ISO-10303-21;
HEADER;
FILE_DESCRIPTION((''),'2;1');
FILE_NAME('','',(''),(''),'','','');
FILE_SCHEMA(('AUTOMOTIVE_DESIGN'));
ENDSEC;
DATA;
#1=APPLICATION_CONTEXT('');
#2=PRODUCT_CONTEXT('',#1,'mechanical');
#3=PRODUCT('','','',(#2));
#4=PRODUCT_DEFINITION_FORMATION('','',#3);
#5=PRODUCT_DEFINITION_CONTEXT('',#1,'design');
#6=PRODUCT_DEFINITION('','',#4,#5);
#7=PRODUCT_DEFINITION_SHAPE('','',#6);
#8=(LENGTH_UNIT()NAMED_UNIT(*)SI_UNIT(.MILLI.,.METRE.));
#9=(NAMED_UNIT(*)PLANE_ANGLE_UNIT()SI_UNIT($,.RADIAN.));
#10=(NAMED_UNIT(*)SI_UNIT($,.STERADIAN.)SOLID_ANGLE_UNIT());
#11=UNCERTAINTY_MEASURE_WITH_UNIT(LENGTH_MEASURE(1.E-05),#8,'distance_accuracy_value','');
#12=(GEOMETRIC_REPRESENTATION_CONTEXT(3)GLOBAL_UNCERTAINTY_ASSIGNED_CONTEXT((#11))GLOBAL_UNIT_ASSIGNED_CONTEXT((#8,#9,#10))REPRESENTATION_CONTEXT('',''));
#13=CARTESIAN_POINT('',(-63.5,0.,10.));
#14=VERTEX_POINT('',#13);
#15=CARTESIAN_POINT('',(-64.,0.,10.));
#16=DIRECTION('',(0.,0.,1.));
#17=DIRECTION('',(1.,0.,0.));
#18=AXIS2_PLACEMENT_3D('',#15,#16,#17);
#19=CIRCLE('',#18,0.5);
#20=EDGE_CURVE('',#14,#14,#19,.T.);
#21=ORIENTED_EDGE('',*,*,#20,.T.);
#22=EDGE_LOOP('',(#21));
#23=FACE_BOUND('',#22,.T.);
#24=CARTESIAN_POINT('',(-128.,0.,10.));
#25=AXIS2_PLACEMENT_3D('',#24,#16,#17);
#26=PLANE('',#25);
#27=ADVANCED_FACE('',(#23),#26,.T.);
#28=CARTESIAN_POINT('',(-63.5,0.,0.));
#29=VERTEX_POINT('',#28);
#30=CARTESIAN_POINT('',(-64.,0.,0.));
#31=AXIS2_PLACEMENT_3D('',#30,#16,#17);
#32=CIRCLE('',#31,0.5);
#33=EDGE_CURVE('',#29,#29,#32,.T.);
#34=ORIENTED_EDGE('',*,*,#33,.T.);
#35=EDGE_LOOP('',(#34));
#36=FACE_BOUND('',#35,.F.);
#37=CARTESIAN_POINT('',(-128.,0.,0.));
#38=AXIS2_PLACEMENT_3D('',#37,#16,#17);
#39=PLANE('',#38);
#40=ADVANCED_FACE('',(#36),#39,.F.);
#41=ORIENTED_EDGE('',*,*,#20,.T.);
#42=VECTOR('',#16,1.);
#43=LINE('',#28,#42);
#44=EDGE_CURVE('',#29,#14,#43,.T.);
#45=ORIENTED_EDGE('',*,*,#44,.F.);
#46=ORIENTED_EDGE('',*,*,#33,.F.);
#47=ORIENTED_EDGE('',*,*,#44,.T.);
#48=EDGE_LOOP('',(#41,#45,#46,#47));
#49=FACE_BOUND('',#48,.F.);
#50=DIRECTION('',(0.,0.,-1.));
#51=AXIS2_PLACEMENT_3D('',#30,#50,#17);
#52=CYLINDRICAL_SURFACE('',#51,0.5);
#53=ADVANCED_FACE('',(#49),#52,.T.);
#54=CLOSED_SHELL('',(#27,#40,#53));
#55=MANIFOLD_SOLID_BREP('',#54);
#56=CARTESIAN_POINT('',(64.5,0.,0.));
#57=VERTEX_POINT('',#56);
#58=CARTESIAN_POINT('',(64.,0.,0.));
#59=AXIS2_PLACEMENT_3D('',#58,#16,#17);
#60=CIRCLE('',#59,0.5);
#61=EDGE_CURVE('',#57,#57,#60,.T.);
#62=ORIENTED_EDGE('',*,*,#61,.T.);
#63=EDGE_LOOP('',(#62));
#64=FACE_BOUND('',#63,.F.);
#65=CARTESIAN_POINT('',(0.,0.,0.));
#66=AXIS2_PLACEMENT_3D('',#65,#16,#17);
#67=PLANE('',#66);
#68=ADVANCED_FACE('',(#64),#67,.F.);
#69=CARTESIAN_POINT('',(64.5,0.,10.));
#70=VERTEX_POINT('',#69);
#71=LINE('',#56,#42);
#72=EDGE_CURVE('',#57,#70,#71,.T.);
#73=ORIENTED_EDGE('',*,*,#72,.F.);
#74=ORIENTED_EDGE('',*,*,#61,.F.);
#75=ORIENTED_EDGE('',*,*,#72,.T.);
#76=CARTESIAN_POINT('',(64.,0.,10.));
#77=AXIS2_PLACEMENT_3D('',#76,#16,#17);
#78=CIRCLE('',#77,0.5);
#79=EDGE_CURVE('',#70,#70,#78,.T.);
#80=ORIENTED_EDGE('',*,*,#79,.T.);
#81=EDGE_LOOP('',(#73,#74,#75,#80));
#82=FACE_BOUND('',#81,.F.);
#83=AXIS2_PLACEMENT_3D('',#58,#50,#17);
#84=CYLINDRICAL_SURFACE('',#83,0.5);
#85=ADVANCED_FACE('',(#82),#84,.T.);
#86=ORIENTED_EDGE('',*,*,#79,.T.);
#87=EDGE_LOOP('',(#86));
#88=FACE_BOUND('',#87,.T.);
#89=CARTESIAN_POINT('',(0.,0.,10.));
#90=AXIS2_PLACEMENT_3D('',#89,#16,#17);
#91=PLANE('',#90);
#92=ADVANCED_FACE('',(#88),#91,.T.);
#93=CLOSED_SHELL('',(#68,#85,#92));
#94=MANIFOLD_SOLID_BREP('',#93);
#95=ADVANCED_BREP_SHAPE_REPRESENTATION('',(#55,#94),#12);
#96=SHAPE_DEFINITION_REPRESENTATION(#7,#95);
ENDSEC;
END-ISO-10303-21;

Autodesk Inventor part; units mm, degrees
ref_plane "YZ Plane" through (0, 0, 0) normal (1, 0, 0) x (0, 1, 0)
ref_plane "XZ Plane" through (0, 0, 0) normal (0, 1, 0) x (-1, 0, 0)
ref_plane "XY Plane" through (0, 0, 0) normal (0, 0, 1) x (1, 0, 0)
sketch "Sketch1" plane through (0, 0, 0) normal (0, 0, 1) x (1, 0, 0)
  line L0 (-132, -9) -> (132, -9)
  line L1 (132, -9) -> (132, 9)
  line L2 (132, 9) -> (-132, 9)
  line L3 (-132, 9) -> (-132, -9)
  line L4 (-132, -9) -> (132, 9) construction
  line L5 (132, -9) -> (-132, 9) construction
  point P0 (0, 0)
  dimension "d0" = 264
  dimension "d1" = 18
sketch "Sketch2" plane through (0, 0, 0) normal (0, 0, 1) x (1, 0, 0)
  circle A0 centre (64, 0) radius 0.5
  line L0 (132, 9) -> (-132, 9) projected
  line L1 (-132, -9) -> (132, -9) projected
  line L2 (0, -12.6) -> (0, 12.6) projected
  line L3 (132, -9) -> (132, 9) projected
  point P0 (0, 0)
  point P1 (132, 0)
  dimension "d4" = 1
  dimension "d26" = 68
extrude "Extrusion1" add sketch "Sketch2" along normal blind 10 contours A0
pattern_linear "Confirmat Array" count 2 spacing 128 along (-1, 0, 0) of "Extrusion1"
equation "\"d26\" = X_Coord"
equation "\"d9\" = Step"
equation "\"d0\" = ContactPatchWidth"
equation "\"d1\" = ContactPatchHeight"
equation "\"ContactPatchWidth\" = 264"
equation "\"ContactPatchHeight\" = 18"
equation "\"PlacingStep\" = 32"
equation "\"PlacingWidth\" = -MinDistFromSide1 + ContactPatchWidth - MinDistFromSide2"
equation "\"PlacingWithByStep\" = 128"
equation "\"X_Coord\" = 68"
equation "\"Step\" = 128"
equation "\"Y_Coord\" = 9.5"
equation "\"CenterX_Coord\" = MinDistFromSide1 + 0.5 * PlacingWidth"
equation "\"MaxDistBetweenByStep\" = 192"
equation "\"DistBetween\" = 144"
equation "\"MinDistFromSide1\" = 60"
equation "\"MinDistFromSide2\" = 60"
properties part number "Confirmat Joint1400"
